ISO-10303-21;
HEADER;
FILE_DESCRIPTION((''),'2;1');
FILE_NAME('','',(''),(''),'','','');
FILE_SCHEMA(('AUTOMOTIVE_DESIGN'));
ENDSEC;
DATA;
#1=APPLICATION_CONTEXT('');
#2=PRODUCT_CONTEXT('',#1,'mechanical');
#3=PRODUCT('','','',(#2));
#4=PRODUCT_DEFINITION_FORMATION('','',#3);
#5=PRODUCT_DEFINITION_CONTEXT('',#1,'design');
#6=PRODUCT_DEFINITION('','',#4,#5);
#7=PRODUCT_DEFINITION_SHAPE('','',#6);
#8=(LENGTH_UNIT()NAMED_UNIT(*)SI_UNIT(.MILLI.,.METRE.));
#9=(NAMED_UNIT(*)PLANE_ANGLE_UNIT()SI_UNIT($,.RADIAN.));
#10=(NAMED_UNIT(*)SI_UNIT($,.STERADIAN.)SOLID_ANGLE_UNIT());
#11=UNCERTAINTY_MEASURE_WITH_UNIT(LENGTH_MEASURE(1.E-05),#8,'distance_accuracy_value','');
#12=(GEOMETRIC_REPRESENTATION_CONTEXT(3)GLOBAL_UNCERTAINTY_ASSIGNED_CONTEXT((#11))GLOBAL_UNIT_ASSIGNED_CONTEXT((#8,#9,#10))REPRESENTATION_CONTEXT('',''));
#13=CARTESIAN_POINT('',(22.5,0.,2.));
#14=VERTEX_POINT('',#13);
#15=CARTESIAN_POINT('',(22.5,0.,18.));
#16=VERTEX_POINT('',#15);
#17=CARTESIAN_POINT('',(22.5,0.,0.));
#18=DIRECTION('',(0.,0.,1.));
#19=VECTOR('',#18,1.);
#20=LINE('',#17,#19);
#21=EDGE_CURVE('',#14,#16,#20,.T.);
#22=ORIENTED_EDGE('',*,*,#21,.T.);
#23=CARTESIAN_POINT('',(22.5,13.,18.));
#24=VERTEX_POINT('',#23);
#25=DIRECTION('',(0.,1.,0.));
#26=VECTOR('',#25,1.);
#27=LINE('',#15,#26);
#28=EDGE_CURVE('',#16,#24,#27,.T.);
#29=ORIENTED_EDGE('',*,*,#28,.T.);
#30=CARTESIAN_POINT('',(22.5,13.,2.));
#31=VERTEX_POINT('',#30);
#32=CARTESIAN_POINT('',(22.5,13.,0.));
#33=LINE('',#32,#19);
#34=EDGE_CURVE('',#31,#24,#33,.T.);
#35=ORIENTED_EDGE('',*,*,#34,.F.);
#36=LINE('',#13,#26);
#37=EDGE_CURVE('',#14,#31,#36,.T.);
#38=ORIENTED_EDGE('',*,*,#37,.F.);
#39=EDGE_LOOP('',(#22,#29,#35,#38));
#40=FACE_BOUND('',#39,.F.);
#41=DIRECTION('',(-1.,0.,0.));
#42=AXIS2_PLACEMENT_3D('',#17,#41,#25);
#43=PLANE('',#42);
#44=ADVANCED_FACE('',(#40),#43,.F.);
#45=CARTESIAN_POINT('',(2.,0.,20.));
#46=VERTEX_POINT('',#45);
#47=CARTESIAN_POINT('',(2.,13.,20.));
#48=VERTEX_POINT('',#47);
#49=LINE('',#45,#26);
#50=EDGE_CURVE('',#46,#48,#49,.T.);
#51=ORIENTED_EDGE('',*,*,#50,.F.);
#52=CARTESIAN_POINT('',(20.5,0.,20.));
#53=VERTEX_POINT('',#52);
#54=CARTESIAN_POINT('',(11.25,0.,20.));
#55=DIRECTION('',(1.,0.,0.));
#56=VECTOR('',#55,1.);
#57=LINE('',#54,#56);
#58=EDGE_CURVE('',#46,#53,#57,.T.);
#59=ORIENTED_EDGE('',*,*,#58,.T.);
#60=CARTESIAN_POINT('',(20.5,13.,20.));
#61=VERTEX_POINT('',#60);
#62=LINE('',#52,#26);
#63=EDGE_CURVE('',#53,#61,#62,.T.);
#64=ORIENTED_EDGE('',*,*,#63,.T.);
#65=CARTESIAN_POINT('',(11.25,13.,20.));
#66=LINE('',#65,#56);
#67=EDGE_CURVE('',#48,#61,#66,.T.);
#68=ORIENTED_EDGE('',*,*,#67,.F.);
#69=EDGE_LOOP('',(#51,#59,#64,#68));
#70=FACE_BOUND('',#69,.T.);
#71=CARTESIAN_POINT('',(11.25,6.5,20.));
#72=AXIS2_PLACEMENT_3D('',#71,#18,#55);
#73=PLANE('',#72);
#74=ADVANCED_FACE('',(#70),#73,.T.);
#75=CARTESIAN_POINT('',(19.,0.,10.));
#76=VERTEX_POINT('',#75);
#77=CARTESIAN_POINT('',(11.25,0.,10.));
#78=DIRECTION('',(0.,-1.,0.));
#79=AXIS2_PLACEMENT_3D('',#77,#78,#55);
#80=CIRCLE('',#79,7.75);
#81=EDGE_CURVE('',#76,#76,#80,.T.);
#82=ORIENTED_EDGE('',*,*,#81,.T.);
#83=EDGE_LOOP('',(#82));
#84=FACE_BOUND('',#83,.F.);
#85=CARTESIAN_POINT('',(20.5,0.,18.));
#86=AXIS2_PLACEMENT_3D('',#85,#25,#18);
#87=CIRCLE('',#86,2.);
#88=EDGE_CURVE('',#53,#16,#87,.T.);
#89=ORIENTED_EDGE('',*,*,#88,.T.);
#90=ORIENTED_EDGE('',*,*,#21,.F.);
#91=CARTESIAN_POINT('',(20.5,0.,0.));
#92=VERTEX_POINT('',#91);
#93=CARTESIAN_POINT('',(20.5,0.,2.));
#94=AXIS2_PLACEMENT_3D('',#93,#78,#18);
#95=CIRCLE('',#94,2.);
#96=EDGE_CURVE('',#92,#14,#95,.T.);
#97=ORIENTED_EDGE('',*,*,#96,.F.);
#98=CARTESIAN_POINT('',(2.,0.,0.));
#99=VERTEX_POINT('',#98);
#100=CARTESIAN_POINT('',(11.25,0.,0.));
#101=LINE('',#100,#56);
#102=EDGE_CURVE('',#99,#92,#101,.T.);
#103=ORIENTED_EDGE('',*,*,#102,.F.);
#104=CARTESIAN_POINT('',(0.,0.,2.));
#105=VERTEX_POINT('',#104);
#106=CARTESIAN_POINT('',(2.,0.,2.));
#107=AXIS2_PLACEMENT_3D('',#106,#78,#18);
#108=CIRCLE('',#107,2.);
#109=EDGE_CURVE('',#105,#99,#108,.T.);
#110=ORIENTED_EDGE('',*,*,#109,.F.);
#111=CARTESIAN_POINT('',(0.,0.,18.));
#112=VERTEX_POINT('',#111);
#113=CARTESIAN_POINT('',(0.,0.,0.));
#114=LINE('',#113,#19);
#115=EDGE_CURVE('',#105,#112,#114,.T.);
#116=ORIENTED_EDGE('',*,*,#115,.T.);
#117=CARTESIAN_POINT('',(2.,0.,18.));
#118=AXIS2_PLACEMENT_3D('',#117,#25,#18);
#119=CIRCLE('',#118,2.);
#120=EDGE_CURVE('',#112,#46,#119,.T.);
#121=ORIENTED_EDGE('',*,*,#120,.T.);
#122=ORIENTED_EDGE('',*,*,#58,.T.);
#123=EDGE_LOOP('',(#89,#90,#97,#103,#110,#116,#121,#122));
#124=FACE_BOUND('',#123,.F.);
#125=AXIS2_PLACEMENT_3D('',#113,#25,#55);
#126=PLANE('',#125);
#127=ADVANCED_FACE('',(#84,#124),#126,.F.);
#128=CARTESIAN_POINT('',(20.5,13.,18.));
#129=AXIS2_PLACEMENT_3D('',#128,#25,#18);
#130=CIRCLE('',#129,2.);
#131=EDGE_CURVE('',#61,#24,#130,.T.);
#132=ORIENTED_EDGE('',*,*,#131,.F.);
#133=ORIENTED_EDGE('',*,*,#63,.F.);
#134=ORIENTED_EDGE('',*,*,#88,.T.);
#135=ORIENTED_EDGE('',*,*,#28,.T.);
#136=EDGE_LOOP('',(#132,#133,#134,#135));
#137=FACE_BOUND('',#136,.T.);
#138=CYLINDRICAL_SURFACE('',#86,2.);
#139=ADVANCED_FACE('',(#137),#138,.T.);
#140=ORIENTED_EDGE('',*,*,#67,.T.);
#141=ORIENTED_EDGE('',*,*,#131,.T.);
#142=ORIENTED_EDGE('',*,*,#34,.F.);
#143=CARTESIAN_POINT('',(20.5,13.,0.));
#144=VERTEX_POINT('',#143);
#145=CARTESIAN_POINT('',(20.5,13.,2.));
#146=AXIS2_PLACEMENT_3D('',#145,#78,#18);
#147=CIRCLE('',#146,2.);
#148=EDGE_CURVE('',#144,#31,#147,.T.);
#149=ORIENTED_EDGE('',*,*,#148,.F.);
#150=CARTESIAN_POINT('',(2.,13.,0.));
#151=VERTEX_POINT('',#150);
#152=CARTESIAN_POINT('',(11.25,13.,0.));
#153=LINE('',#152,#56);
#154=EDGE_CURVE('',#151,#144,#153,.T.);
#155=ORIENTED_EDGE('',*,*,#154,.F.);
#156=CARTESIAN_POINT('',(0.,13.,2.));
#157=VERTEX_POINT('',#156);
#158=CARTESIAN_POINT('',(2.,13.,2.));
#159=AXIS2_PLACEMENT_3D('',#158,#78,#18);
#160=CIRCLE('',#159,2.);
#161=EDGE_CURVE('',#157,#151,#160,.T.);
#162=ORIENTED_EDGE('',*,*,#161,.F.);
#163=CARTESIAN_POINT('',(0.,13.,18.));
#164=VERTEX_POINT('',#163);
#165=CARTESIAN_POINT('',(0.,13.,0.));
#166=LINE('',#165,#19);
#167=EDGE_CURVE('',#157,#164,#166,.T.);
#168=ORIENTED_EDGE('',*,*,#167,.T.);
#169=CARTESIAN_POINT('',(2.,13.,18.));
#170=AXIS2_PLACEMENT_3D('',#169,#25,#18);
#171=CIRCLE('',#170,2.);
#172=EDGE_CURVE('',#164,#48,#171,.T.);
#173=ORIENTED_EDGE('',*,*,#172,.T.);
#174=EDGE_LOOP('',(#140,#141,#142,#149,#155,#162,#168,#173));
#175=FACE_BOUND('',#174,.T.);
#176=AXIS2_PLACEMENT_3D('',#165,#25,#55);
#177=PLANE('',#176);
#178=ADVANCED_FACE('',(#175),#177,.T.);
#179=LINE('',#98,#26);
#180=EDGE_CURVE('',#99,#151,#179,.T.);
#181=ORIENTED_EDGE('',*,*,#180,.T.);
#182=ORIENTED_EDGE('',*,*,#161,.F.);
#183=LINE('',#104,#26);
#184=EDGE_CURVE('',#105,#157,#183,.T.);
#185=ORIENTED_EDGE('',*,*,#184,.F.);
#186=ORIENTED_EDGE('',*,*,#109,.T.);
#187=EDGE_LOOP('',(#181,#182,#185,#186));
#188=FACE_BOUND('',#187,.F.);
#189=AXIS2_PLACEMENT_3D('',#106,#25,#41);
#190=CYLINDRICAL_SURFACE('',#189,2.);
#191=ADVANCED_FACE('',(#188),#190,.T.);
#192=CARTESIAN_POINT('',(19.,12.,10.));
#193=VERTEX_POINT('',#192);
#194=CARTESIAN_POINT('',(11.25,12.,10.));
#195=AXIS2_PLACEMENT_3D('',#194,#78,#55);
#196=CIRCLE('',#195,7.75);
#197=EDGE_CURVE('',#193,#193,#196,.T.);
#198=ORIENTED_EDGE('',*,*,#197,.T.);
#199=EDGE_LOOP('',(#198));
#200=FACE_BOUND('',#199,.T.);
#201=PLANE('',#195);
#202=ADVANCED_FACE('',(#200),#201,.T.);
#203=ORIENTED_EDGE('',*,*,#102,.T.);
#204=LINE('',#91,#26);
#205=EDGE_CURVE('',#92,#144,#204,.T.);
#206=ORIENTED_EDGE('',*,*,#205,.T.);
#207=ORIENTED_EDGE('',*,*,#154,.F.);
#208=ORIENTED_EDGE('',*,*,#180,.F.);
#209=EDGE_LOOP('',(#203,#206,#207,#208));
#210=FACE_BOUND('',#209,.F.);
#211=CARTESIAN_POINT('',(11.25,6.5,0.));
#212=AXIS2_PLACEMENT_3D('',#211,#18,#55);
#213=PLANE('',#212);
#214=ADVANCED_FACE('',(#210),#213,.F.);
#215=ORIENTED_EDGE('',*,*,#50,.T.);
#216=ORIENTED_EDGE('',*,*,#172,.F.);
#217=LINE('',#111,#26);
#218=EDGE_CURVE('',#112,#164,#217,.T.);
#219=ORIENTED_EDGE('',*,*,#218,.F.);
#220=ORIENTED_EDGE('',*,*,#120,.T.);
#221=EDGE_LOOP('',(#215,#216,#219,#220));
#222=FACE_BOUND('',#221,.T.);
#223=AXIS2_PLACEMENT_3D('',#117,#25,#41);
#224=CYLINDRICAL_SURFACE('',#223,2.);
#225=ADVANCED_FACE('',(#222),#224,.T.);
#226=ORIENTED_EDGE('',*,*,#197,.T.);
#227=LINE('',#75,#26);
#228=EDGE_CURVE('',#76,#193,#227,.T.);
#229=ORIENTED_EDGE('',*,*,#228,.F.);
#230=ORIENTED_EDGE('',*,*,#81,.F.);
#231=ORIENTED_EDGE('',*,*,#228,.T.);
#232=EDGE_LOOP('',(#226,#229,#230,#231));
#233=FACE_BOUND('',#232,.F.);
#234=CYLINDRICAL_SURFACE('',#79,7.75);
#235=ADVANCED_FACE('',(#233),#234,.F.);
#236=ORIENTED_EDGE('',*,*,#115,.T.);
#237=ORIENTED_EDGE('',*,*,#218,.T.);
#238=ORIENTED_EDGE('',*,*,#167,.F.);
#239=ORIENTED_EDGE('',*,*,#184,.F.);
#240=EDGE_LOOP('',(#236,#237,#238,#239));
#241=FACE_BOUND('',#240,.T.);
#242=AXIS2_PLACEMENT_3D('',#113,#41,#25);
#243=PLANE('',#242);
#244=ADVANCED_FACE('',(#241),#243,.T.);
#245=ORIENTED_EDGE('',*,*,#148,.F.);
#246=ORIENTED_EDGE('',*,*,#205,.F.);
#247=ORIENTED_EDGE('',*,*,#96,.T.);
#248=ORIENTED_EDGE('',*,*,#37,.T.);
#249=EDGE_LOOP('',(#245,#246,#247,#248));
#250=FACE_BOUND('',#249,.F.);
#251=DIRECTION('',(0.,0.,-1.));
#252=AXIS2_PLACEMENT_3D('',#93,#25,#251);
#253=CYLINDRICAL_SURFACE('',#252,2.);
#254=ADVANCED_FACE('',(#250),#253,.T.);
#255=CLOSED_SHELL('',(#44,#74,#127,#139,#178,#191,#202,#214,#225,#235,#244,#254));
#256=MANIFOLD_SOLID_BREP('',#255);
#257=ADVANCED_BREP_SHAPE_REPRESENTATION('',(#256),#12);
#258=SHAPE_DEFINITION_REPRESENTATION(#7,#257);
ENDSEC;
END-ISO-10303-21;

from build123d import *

# Parameters (mm, degrees)
F0_W     = 22.5
F0_H     = 13
F1_DEPTH = 20
F2_R     = 7.75
F3_DEPTH = 12
F4_R     = 2


with BuildPart() as f1:
    # F0 (on Top) → F1 (new body)
    with BuildSketch(Plane.XY):
        with Locations((11.25, 6.5)):
            Rectangle(F0_W, F0_H)
    extrude(amount=F1_DEPTH)

    # F2 (on face) → F3 (cut)
    with BuildSketch(Plane.XZ):
        with Locations((11.25, 10)):
            Circle(F2_R)
    extrude(amount=-F3_DEPTH, mode=Mode.SUBTRACT)

    # F4
    f4_edges = [f1.edges().sort_by_distance(p)[0] for p in [
        (22.5, 6.5, 20),
        (22.5, 6.5, 0),
        (0, 6.5, 20),
        (0, 6.5, 0),
    ]]
    fillet(f4_edges, radius=F4_R)


solid = f1.part
